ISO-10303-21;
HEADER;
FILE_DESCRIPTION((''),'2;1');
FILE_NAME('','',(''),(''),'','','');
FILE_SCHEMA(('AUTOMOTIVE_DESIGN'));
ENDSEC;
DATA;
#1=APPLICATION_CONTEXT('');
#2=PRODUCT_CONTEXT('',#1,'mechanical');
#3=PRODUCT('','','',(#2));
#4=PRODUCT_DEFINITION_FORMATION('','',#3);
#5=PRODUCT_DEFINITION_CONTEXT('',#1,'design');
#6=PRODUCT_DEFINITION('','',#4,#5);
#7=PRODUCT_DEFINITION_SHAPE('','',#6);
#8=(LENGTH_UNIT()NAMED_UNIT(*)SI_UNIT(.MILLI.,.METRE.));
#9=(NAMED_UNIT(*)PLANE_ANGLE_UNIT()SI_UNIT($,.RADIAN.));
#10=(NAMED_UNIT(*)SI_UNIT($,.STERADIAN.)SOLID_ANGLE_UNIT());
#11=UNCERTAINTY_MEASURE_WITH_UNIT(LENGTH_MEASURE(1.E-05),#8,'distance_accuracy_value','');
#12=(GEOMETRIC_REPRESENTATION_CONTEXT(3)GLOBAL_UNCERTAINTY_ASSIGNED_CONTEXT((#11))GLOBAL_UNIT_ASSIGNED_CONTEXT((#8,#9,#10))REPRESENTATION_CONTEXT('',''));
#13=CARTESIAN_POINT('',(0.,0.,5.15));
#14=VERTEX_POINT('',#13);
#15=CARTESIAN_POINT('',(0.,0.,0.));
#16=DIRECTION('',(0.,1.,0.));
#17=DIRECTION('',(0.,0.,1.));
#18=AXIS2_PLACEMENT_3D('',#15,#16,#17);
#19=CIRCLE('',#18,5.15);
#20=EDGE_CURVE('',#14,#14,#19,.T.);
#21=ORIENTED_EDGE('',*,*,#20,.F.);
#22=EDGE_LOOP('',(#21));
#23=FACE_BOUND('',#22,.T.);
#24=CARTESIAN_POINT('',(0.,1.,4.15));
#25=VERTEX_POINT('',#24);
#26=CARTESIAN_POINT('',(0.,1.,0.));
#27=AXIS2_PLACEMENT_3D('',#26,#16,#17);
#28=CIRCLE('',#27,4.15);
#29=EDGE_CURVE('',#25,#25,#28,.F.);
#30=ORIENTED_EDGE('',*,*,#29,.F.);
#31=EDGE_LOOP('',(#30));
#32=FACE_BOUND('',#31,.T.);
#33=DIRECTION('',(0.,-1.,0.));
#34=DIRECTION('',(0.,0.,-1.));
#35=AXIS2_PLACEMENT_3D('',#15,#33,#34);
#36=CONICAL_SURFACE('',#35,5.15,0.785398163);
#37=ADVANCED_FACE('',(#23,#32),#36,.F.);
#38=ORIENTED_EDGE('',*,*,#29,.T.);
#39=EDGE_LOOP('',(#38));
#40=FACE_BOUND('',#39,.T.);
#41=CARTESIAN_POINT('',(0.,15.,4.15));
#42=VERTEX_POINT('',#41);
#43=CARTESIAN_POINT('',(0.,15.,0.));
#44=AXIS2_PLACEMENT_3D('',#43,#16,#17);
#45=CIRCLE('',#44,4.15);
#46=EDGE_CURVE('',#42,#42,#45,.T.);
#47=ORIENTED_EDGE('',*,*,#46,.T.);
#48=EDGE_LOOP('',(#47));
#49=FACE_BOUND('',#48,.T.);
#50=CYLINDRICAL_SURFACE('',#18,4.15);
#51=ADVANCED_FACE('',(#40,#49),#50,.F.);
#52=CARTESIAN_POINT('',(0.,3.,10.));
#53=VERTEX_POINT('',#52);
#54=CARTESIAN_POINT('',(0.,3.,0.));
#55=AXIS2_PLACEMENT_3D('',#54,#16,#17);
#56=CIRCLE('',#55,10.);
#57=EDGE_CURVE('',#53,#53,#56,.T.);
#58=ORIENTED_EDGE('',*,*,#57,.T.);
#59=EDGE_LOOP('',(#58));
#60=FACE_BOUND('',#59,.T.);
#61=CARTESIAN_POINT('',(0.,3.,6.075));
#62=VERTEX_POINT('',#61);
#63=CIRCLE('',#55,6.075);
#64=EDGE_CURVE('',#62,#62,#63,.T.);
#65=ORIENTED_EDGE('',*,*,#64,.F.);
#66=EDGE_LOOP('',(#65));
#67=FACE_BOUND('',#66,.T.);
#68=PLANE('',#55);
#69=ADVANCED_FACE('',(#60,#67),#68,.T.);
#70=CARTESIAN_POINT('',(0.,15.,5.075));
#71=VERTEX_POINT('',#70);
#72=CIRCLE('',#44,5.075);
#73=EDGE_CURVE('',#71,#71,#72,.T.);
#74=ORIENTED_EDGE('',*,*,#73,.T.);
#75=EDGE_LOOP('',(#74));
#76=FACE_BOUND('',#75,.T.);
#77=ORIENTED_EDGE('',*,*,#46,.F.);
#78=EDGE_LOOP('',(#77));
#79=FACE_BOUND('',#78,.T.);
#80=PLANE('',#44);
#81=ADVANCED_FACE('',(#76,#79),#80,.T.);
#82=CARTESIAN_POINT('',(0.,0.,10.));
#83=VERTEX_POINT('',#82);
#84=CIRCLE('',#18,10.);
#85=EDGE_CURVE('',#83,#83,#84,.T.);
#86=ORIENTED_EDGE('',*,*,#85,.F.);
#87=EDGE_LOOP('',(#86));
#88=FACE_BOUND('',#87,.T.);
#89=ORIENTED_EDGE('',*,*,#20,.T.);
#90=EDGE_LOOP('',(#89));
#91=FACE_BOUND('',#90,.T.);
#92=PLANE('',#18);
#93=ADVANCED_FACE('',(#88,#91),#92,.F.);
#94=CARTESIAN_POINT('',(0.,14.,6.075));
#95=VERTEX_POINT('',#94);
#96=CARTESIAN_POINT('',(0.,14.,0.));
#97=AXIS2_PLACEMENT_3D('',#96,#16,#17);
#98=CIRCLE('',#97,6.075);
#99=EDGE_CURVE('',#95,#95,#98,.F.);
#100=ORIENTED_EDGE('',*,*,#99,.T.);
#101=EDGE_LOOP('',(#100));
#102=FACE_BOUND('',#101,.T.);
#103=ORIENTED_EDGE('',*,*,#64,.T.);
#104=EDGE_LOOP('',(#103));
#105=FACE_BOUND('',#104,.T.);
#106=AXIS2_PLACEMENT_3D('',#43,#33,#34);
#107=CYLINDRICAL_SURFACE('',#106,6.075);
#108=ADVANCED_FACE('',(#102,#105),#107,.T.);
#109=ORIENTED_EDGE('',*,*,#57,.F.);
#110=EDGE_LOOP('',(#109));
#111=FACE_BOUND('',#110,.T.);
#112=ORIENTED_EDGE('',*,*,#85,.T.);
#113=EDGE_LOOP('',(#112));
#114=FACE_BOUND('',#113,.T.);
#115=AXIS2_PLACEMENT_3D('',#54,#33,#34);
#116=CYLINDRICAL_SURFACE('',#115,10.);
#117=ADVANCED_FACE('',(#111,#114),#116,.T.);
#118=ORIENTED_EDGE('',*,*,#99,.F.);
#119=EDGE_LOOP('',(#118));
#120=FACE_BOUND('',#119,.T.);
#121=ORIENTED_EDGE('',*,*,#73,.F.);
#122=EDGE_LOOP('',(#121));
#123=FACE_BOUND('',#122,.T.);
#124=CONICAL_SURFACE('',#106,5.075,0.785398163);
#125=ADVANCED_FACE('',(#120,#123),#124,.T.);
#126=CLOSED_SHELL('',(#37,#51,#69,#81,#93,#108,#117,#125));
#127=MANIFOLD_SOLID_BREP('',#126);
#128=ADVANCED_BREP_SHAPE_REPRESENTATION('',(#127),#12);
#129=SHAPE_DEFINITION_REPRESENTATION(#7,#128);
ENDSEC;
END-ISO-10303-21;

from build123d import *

# Parameters (mm, degrees)
SKIZZE1_R                       = 10
AUFSATZ_LINEAR_AUSTRAGEN1_DEPTH = 3
SKIZZE2_R                       = 6.075
AUFSATZ_LINEAR_AUSTRAGEN2_DEPTH = 12
SKIZZE3_R                       = 4.15
SCHNITT_LINEAR_AUSTRAGEN1_DEPTH = 21.615528128
FASE1_SIZE                      = 1


with BuildPart() as part:
    # Skizze1 → Aufsatz-Linear austragen1 (new body)
    with BuildSketch(Plane(origin=(0, 0, 0), x_dir=(1, 0, 0), z_dir=(0, 1, 0))):
        with Locations(Location((0, 0, 0), (0, 0, 270))):
            Circle(SKIZZE1_R)
    extrude(amount=AUFSATZ_LINEAR_AUSTRAGEN1_DEPTH)

    # Skizze2 → Aufsatz-Linear austragen2 (add)
    with BuildSketch(Plane(origin=(0, 3, 0), x_dir=(1, 0, 0), z_dir=(0, 1, 0))):
        with Locations(Location((0, 0, 0), (0, 0, 270))):
            Circle(SKIZZE2_R)
    extrude(amount=AUFSATZ_LINEAR_AUSTRAGEN2_DEPTH)

    # Skizze3 → Schnitt-Linear austragen1 (cut, through all)
    with BuildSketch(Plane(origin=(0, 15, 0), x_dir=(1, 0, 0), z_dir=(0, 1, 0))):
        with Locations(Location((0, 0, 0), (0, 0, 270))):
            Circle(SKIZZE3_R)
    extrude(amount=-SCHNITT_LINEAR_AUSTRAGEN1_DEPTH, mode=Mode.SUBTRACT)

    # Fase1
    fase1_edges = [part.edges().sort_by_distance(p)[0] for p in [
        (0, 0, -4.15),
        (0, 15, -6.075),
    ]]
    chamfer(fase1_edges, length=FASE1_SIZE)


solid = part.part
